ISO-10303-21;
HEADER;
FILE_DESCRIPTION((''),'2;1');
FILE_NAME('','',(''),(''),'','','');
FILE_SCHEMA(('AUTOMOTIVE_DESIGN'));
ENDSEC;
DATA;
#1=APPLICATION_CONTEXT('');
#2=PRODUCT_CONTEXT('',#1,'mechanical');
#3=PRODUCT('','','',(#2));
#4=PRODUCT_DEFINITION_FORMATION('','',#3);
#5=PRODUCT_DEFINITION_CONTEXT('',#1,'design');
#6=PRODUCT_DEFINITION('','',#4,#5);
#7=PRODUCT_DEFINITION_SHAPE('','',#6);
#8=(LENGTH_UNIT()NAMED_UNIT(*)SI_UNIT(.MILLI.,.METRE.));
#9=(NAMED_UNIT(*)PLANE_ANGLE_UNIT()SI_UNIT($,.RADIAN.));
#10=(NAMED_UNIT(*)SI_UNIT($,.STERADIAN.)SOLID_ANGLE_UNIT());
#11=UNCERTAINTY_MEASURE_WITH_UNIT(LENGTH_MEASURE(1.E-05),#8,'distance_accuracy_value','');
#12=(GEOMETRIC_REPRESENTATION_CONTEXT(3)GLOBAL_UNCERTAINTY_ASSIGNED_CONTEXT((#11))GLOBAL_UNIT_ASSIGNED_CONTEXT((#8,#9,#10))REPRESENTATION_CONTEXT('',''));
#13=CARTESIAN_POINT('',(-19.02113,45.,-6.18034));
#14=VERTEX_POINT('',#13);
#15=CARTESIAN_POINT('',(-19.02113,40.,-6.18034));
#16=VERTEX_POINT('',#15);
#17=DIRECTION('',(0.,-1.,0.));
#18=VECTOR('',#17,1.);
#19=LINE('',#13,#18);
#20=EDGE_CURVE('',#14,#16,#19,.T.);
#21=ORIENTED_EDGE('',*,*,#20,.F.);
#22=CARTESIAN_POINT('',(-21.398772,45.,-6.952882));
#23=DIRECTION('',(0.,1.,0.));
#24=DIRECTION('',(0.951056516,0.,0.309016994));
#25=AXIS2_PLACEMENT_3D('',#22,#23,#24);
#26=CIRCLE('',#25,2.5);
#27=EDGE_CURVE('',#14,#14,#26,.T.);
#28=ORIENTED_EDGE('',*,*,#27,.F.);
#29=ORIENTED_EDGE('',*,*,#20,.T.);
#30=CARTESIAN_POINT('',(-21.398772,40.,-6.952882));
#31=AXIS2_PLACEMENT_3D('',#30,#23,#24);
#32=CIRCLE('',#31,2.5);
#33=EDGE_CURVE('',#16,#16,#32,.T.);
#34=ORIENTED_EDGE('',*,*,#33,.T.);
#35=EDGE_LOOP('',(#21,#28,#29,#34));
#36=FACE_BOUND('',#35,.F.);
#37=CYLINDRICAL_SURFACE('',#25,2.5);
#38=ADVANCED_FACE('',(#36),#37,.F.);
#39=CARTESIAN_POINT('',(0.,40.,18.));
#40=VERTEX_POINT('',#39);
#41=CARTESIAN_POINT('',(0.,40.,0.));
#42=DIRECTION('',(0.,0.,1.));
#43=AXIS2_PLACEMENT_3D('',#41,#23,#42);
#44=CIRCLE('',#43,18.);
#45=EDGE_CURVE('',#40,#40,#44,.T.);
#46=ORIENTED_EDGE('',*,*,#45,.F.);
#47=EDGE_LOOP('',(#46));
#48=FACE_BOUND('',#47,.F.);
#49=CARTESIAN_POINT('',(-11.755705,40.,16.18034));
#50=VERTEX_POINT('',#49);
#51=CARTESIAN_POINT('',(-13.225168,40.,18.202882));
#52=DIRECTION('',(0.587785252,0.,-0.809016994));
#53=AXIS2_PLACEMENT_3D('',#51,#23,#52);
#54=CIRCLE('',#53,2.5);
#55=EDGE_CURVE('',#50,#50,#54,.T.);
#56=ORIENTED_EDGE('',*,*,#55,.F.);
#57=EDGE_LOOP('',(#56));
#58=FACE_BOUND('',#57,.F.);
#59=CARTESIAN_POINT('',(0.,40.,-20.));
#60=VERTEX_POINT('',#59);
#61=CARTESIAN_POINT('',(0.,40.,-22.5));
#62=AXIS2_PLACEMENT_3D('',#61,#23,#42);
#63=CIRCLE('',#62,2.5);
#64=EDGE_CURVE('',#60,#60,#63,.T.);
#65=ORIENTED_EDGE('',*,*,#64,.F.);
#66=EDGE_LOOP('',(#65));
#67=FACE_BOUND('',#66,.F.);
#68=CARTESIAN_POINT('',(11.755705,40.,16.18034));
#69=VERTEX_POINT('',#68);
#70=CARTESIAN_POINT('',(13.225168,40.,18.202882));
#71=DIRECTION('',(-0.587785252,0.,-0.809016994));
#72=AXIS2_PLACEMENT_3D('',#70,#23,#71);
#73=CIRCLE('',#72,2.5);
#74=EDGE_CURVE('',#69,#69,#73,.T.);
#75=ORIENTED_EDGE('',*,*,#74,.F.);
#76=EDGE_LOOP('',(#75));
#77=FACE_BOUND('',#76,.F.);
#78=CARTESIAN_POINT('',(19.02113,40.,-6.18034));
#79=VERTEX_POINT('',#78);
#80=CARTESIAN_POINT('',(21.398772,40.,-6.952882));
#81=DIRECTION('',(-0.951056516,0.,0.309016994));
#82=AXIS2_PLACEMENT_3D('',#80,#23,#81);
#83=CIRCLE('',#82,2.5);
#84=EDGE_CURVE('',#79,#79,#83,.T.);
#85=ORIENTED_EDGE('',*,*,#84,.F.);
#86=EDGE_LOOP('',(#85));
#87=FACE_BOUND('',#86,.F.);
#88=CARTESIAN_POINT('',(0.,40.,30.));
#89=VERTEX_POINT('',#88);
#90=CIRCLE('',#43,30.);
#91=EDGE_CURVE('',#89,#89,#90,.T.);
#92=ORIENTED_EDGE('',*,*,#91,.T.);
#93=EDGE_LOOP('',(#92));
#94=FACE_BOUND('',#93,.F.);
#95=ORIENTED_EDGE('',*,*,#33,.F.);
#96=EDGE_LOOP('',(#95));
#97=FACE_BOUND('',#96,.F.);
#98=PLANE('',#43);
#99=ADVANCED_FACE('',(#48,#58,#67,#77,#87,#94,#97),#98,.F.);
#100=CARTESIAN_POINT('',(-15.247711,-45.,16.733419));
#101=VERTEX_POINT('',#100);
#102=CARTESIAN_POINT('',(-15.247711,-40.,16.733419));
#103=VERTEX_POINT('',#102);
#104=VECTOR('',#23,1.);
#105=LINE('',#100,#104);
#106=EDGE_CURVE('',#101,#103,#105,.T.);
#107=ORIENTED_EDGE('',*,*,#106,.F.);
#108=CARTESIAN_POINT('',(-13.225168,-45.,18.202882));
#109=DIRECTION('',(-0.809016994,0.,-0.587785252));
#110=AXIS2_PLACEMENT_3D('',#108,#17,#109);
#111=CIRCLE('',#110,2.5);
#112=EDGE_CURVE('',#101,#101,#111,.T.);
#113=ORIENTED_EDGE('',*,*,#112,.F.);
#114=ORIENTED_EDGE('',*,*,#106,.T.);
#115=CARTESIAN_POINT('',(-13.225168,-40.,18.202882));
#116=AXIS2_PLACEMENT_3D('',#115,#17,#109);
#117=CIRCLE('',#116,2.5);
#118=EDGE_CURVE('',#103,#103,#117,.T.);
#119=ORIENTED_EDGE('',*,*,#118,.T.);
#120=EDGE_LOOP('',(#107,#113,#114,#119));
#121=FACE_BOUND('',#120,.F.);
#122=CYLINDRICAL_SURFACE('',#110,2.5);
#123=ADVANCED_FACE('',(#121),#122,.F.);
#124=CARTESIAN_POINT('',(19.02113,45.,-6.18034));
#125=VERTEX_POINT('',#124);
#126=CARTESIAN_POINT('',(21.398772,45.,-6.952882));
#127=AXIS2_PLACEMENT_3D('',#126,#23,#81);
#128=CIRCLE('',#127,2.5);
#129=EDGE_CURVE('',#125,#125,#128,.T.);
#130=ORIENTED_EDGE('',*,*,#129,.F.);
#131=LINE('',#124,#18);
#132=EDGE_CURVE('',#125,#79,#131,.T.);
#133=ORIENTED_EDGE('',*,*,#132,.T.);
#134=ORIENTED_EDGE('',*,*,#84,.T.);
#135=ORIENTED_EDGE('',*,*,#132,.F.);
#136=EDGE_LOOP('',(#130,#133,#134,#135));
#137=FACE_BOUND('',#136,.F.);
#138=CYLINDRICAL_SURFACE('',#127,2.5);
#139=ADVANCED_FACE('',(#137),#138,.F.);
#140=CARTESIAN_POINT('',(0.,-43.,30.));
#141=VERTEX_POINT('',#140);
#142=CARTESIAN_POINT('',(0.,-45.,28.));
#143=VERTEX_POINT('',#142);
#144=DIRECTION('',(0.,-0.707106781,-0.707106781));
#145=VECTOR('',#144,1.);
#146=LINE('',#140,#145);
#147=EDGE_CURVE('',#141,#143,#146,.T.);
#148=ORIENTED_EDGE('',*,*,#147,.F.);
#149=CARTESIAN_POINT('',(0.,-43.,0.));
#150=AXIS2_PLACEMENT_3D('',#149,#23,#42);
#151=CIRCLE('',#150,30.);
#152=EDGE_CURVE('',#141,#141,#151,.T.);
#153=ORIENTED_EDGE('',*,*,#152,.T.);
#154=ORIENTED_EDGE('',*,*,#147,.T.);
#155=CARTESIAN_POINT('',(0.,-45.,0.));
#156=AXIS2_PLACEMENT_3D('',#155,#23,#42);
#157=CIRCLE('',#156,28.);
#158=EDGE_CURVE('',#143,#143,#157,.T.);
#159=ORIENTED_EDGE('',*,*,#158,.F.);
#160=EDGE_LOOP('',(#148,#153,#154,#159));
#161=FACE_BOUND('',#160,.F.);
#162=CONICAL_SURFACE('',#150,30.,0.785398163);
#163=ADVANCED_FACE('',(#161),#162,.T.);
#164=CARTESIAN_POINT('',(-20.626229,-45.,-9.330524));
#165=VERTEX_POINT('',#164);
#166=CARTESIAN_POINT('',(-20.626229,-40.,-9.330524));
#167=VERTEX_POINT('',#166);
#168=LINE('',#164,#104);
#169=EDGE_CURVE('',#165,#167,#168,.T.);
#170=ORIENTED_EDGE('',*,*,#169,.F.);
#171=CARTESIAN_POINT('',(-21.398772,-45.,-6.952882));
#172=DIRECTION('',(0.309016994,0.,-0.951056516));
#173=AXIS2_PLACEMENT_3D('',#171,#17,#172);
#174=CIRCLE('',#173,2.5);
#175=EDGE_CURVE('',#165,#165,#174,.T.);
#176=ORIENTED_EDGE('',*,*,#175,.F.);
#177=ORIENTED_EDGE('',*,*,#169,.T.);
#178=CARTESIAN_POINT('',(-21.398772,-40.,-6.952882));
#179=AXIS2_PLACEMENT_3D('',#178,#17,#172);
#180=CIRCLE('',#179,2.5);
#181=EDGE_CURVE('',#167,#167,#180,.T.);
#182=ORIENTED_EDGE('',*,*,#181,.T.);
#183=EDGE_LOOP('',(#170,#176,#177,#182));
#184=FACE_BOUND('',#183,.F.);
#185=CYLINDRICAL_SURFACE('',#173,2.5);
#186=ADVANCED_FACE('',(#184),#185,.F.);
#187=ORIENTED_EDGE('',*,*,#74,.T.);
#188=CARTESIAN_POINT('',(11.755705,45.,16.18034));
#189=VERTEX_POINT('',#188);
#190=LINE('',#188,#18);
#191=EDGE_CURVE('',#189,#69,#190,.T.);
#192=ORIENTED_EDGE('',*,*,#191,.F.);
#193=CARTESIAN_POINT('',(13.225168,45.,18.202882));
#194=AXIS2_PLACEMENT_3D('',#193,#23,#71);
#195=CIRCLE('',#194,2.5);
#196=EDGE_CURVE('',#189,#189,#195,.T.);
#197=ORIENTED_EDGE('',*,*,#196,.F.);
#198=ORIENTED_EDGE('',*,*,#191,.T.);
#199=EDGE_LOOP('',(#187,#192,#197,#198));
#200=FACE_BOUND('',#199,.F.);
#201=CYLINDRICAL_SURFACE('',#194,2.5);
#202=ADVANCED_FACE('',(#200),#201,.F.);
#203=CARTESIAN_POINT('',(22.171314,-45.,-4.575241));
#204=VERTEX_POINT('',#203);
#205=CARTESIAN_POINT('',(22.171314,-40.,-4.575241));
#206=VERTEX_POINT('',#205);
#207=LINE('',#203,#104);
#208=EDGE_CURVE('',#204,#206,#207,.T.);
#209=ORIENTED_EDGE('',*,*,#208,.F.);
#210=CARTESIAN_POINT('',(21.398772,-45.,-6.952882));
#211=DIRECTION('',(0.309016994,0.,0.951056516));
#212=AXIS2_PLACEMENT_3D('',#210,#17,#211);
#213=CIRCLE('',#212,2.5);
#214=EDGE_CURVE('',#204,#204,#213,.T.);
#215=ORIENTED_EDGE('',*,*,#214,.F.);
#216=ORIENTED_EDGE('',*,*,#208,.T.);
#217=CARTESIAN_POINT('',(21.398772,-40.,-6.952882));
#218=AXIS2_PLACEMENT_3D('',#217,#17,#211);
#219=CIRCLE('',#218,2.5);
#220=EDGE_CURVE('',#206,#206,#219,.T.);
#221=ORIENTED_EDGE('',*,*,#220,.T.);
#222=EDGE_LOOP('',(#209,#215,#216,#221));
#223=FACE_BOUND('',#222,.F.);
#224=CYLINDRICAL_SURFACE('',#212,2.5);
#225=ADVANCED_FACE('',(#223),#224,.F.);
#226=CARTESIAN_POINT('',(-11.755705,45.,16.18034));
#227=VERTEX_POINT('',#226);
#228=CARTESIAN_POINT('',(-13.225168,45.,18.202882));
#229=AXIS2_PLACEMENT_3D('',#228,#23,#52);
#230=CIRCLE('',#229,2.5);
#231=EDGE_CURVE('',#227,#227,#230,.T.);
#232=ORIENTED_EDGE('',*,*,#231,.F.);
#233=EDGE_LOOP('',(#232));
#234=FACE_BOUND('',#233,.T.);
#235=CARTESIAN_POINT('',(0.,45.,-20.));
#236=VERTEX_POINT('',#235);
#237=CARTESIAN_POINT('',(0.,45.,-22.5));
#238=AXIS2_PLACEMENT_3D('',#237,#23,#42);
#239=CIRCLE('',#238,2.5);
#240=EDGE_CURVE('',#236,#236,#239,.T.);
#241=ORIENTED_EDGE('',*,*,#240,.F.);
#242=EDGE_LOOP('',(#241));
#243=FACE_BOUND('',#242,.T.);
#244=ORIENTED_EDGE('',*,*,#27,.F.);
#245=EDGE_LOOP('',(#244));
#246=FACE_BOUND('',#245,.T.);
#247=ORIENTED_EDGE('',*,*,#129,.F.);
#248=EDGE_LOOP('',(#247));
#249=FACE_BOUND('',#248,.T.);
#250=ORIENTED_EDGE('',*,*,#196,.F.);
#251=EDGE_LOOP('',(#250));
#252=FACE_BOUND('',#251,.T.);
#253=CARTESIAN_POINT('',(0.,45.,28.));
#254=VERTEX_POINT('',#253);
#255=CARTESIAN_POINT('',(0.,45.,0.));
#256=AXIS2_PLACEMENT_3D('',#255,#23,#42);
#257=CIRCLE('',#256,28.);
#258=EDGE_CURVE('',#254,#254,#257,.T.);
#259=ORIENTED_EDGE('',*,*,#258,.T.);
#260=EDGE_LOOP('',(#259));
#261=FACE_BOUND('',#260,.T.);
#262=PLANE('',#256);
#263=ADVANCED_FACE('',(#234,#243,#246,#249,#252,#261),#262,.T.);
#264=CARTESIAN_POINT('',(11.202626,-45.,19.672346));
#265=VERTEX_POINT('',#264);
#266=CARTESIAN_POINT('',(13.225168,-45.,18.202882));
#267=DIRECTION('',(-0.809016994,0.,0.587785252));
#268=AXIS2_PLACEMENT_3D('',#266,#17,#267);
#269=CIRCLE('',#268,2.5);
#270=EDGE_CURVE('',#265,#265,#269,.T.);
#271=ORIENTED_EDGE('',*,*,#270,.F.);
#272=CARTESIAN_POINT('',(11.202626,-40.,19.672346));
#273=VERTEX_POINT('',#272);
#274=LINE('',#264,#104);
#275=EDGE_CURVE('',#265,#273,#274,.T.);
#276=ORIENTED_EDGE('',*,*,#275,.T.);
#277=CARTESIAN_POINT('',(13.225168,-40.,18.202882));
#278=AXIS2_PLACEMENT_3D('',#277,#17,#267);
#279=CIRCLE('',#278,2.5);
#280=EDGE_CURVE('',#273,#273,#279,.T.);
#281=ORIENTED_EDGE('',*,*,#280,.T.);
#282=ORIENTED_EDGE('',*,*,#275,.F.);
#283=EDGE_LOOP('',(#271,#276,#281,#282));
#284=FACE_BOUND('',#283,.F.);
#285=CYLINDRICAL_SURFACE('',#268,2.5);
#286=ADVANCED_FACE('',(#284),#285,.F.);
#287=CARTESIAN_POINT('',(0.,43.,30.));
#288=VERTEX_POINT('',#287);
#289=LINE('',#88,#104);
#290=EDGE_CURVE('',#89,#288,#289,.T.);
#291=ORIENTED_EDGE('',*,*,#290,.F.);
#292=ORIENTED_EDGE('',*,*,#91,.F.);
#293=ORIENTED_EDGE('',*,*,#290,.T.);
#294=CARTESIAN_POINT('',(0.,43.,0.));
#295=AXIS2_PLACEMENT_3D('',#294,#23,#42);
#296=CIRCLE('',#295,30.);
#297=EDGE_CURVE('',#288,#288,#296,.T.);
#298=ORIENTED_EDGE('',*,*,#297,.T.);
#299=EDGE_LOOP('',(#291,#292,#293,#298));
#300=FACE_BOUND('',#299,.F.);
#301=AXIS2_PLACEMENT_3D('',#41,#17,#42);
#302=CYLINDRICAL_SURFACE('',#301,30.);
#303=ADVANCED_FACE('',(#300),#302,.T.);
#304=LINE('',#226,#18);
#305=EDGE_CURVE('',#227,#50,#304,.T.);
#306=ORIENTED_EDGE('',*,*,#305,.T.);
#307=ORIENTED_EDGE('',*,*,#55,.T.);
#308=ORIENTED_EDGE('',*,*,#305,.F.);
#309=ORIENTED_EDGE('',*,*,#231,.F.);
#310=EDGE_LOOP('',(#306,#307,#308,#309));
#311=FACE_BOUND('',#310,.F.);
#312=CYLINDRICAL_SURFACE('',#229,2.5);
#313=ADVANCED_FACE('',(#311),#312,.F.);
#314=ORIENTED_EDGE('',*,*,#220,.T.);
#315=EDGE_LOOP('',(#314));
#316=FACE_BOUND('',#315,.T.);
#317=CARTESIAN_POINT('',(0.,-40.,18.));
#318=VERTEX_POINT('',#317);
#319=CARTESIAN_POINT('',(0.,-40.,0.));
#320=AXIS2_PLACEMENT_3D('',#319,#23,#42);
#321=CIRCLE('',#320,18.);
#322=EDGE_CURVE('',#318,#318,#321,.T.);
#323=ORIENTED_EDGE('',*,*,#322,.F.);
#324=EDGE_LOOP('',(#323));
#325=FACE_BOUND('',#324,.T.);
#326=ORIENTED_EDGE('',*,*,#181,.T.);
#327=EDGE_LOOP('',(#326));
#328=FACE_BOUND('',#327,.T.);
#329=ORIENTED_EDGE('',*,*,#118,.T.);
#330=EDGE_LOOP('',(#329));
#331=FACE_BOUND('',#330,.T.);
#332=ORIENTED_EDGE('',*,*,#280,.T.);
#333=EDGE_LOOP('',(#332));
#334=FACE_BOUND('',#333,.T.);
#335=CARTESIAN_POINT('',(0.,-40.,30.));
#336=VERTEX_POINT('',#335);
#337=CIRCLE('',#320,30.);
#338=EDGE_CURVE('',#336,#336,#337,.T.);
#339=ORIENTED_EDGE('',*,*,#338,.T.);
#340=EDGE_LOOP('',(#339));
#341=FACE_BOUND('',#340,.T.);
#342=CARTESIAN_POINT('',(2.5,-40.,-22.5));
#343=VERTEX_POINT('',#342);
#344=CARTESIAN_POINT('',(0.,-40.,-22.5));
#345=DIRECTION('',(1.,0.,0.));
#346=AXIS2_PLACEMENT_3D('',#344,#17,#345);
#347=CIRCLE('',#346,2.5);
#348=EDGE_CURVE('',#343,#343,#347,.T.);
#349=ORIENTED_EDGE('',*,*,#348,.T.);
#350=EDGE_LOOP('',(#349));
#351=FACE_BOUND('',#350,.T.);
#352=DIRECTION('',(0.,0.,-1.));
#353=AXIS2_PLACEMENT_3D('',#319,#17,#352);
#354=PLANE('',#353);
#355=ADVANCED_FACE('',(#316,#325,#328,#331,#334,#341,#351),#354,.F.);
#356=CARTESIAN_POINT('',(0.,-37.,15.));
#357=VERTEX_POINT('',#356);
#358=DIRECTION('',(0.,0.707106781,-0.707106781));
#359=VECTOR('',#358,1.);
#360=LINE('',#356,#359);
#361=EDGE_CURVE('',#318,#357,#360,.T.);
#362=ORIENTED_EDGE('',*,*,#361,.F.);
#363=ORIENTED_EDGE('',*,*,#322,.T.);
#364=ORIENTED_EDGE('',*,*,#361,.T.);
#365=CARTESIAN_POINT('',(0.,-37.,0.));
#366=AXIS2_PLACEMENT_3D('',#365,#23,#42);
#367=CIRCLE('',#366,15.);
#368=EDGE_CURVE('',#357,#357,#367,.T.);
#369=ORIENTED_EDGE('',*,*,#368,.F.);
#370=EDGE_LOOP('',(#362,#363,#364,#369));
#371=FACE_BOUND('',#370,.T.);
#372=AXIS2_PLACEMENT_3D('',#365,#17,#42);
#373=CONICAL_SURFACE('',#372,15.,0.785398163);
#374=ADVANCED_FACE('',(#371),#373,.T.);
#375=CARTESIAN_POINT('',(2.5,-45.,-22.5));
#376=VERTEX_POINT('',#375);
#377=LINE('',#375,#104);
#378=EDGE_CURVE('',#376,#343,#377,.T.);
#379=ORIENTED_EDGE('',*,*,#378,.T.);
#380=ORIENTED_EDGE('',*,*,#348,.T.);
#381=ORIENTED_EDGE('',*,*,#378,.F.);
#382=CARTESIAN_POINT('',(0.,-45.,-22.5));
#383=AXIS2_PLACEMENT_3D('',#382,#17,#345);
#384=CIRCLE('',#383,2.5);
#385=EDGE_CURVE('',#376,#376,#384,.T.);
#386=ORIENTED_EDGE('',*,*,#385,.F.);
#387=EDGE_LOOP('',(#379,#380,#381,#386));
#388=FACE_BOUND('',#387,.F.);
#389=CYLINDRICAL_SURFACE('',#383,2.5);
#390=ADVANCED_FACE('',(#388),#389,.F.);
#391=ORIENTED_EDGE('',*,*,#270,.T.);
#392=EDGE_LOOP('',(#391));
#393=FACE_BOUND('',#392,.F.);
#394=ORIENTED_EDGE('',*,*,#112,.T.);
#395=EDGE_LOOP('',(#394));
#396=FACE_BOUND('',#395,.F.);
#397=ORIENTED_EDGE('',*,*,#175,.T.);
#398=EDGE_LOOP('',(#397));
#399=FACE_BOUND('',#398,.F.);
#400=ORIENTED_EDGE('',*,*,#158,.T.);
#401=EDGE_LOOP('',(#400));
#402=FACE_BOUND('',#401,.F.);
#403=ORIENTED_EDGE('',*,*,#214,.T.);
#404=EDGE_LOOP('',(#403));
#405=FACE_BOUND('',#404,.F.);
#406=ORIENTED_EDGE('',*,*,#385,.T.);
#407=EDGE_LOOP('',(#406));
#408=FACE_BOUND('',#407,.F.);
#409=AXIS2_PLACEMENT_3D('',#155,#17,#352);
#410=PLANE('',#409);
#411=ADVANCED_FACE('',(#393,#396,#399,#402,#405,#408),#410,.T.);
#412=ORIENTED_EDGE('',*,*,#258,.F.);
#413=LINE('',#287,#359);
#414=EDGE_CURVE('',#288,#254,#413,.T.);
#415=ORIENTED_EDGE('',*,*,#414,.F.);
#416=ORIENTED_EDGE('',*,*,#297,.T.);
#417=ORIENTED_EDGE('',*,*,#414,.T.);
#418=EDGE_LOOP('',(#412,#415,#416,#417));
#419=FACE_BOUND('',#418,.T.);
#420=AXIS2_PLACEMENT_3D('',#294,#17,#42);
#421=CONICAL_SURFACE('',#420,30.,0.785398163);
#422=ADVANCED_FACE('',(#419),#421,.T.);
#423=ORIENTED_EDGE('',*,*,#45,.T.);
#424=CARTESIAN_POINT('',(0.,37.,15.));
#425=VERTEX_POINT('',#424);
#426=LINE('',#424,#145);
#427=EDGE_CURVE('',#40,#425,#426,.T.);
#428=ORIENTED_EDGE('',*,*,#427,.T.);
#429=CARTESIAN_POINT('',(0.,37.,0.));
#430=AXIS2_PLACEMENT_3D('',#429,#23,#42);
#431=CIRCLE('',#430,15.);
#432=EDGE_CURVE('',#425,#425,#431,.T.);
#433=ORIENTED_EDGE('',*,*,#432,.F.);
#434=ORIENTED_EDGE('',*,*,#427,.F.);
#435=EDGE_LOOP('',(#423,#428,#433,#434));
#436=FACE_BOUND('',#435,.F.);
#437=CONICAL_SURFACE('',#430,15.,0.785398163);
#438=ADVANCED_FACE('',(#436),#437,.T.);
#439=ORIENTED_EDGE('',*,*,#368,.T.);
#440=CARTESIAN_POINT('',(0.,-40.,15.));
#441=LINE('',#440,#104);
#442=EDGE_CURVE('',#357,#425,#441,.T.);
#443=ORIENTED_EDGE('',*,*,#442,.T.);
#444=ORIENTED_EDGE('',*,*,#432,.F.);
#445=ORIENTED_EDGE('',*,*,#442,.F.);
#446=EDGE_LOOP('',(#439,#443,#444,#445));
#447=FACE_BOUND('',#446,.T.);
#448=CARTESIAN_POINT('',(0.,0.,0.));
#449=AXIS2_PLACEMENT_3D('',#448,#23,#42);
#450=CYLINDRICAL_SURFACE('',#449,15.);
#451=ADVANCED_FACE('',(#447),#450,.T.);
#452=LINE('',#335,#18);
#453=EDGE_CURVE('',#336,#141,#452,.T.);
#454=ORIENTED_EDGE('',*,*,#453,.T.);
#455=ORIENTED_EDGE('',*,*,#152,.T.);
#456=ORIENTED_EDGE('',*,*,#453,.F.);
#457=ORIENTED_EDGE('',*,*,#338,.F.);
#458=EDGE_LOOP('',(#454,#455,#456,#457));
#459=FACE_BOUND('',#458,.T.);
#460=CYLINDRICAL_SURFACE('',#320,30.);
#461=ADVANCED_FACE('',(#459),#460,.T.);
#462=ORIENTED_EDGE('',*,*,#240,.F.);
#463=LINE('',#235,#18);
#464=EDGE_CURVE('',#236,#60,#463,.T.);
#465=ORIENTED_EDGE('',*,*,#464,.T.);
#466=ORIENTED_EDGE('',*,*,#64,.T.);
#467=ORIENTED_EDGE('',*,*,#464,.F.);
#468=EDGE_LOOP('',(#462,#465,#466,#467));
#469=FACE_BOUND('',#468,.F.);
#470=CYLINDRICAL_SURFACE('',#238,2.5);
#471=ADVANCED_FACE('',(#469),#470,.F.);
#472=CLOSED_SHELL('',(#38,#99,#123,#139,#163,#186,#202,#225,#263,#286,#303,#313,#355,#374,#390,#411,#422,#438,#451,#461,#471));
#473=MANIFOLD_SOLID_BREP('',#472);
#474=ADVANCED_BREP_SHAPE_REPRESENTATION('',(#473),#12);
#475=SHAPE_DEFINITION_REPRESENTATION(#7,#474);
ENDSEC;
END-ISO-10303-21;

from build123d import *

# Parameters (mm, degrees)
SKETCH1_R                = 15
BOSS_EXTRUDE1_DEPTH      = 40
SKETCH4_R                = 30
BOSS_EXTRUDE2_DEPTH      = 5
CHAMFER1_SIZE            = 2
SKETCH6_R                = 2.5
CUT_EXTRUDE1_DEPTH       = 96
CIRPATTERN1_COUNT        = 5
CHAMFER2_SIZE            = 3
MIRROR1_COPY_1_SKETCH_R  = 2.5
MIRROR1_COPY_1_DEPTH     = 96
MIRROR1_COPY_2_SKETCH_R  = 2.5
MIRROR1_COPY_2_DEPTH     = 96
MIRROR1_COPY_3_SKETCH_R  = 2.5
MIRROR1_COPY_3_DEPTH     = 96
MIRROR1_COPY_4_SKETCH_R  = 2.5
MIRROR1_COPY_4_DEPTH     = 96
MIRROR1_COPY_5_SKETCH_R  = 2.5
MIRROR1_COPY_5_DEPTH     = 96
CHAMFER1_OF_MIRROR1_SIZE = 2
CHAMFER2_OF_MIRROR1_SIZE = 3


with BuildPart() as part:
    # Sketch1 → Boss-Extrude1 (new, symmetric)
    with BuildSketch(Plane(origin=(0, 0, 0), x_dir=(1, 0, 0), z_dir=(0, 1, 0))):
        with Locations(Location((0, 0, 0), (0, 0, 270))):
            Circle(SKETCH1_R)
    extrude(amount=BOSS_EXTRUDE1_DEPTH, both=True)

    # Sketch4 → Boss-Extrude2 (add)
    with BuildSketch(Plane(origin=(0, 40, 0), x_dir=(1, 0, 0), z_dir=(0, 1, 0))):
        with Locations(Location((0, 0, 0), (0, 0, 270))):
            Circle(SKETCH4_R)
    boss_extrude2 = extrude(amount=BOSS_EXTRUDE2_DEPTH)

    # Chamfer1
    chamfer1_edges = [part.edges().sort_by_distance(p)[0] for p in [
        (0, 45, -30),
    ]]
    chamfer(chamfer1_edges, length=CHAMFER1_SIZE)

    # Sketch6 → Cut-Extrude1 (cut, through all)
    with BuildSketch(Plane(origin=(0, 45, 0), x_dir=(1, 0, 0), z_dir=(0, 1, 0))):
        with Locations(Location((0, 22.5, 0), (0, 0, 270))):
            Circle(SKETCH6_R)
    cut_extrude1 = extrude(amount=-CUT_EXTRUDE1_DEPTH, mode=Mode.SUBTRACT)

    # CirPattern1: Cut-Extrude1 ×5 about axis
    cirpattern1_axis = Axis((0, 0, 0), (0, 1, 0))
    for i in range(1, CIRPATTERN1_COUNT):
        add(cut_extrude1.rotate(cirpattern1_axis, i * 360 / CIRPATTERN1_COUNT), mode=Mode.SUBTRACT)

    # Chamfer2
    chamfer2_edges = [part.edges().sort_by_distance(p)[0] for p in [
        (0, 40, -15),
    ]]
    chamfer(chamfer2_edges, length=CHAMFER2_SIZE)

    # Mirror1: Boss-Extrude2 across plane
    add(boss_extrude2.mirror(Plane.ZX))

    # Mirror1 copy 1 sketch → Mirror1 copy 1 (cut, through all)
    with BuildSketch(Plane(origin=(0, -45, 0), x_dir=(0.30901699437494745, 0, -0.9510565162951535), z_dir=(0, -1, 0))):
        with Locations((0, -22.5)):
            Circle(MIRROR1_COPY_1_SKETCH_R)
    extrude(amount=-MIRROR1_COPY_1_DEPTH, mode=Mode.SUBTRACT)

    # Mirror1 copy 2 sketch → Mirror1 copy 2 (cut, through all)
    with BuildSketch(Plane(origin=(0, -45, 0), x_dir=(-0.8090169943749473, 0, -0.5877852522924732), z_dir=(0, -1, 0))):
        with Locations((0, -22.5)):
            Circle(MIRROR1_COPY_2_SKETCH_R)
    extrude(amount=-MIRROR1_COPY_2_DEPTH, mode=Mode.SUBTRACT)

    # Mirror1 copy 3 sketch → Mirror1 copy 3 (cut, through all)
    with BuildSketch(Plane(origin=(0, -45, 0), x_dir=(-0.8090169943749476, 0, 0.587785252292473), z_dir=(0, -1, 0))):
        with Locations((0, -22.5)):
            Circle(MIRROR1_COPY_3_SKETCH_R)
    extrude(amount=-MIRROR1_COPY_3_DEPTH, mode=Mode.SUBTRACT)

    # Mirror1 copy 4 sketch → Mirror1 copy 4 (cut, through all)
    with BuildSketch(Plane(origin=(0, -45, 0), x_dir=(0.30901699437494723, 0, 0.9510565162951536), z_dir=(0, -1, 0))):
        with Locations((0, -22.5)):
            Circle(MIRROR1_COPY_4_SKETCH_R)
    extrude(amount=-MIRROR1_COPY_4_DEPTH, mode=Mode.SUBTRACT)

    # Mirror1 copy 5 sketch → Mirror1 copy 5 (cut, through all)
    with BuildSketch(Plane.XZ.offset(45)):
        with Locations((0, -22.5)):
            Circle(MIRROR1_COPY_5_SKETCH_R)
    extrude(amount=-MIRROR1_COPY_5_DEPTH, mode=Mode.SUBTRACT)

    # Chamfer1 of Mirror1
    chamfer1_of_mirror1_edges = [part.edges().sort_by_distance(p)[0] for p in [
        (0, -45, -30),
    ]]
    chamfer(chamfer1_of_mirror1_edges, length=CHAMFER1_OF_MIRROR1_SIZE)

    # Chamfer2 of Mirror1
    chamfer2_of_mirror1_edges = [part.edges().sort_by_distance(p)[0] for p in [
        (0, -40, -15),
    ]]
    chamfer(chamfer2_of_mirror1_edges, length=CHAMFER2_OF_MIRROR1_SIZE)


solid = part.part
